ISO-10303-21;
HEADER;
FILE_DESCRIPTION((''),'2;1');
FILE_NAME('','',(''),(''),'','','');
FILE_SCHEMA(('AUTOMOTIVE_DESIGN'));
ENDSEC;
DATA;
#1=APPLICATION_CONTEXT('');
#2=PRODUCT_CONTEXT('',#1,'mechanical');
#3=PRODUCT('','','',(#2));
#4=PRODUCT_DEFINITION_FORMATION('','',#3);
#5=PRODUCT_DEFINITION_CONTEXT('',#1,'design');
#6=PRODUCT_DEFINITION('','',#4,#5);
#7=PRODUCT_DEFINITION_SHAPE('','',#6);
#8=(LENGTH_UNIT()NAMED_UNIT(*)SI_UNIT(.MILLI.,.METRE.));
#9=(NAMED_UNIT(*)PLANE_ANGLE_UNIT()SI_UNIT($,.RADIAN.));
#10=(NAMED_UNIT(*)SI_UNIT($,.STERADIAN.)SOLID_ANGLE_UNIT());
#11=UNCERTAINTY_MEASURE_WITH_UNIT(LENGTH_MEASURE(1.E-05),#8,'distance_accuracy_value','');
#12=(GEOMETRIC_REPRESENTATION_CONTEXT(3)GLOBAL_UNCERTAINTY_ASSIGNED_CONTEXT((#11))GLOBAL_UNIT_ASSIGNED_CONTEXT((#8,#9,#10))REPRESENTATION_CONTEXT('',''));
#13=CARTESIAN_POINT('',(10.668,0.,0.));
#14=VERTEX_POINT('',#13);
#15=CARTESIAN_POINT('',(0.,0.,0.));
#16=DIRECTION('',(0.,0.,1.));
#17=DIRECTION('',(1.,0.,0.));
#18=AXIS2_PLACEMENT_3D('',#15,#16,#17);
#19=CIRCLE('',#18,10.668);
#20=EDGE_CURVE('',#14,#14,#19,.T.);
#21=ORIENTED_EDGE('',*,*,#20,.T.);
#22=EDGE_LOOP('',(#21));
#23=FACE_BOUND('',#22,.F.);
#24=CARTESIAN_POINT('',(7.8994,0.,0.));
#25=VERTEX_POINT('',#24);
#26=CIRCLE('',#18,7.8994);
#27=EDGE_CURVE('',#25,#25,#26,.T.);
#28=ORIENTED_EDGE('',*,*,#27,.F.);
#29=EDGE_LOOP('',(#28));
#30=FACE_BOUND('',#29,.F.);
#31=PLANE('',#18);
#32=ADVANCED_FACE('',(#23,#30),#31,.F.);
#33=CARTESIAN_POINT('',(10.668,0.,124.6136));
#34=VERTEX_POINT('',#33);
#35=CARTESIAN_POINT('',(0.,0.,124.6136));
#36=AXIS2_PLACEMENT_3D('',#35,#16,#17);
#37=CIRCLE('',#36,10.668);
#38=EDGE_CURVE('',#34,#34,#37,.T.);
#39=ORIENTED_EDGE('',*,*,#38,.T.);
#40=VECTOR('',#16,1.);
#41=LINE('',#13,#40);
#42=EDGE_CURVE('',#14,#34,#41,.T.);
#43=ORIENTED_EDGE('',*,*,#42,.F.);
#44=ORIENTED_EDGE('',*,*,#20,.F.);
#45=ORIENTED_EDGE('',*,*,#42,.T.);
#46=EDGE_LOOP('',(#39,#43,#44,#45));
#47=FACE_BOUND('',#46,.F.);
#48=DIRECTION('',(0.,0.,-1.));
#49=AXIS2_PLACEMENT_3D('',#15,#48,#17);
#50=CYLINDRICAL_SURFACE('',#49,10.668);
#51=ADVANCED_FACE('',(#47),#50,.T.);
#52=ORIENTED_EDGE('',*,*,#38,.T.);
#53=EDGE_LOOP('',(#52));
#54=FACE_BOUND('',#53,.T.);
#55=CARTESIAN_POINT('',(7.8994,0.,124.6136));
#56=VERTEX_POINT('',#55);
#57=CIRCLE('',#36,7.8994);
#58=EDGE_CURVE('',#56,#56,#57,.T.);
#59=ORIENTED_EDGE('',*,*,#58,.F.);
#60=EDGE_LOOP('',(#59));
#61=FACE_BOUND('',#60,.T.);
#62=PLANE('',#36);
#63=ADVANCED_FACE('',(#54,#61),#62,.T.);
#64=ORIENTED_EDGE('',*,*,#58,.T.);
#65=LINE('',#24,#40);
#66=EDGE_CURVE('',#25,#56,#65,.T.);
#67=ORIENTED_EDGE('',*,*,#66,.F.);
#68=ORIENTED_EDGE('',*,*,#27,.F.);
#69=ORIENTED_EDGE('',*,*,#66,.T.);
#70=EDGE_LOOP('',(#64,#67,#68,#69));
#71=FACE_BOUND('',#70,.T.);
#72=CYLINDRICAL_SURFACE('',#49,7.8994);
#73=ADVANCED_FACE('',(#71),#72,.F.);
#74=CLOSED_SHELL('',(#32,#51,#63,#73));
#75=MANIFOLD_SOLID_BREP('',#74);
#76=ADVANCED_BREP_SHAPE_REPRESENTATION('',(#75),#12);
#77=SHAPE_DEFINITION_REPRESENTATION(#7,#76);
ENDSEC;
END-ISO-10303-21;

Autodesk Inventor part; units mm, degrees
ref_plane "YZ Plane" through (0, 0, 0) normal (1, 0, 0) x (0, 1, 0)
ref_plane "Start Plane" through (0, 0, 0) normal (0, 0, 1) x (1, 0, 0)
ref_plane "End Plane" through (0, 0, 124.6136) normal (0, 0, 1) x (1, 0, 0)
sketch "Sketch" plane through (0, 0, 0) normal (0, 0, 1) x (1, 0, 0)
  circle A0 centre (0, 0) radius 7.8994
  circle A1 centre (0, 0) radius 10.668
  dimension "d0" = 21.336
  dimension "d1" = 2.7686
extrude "Body" add sketch "Sketch" along normal up to surface (124.6136 mm away) from surface at 0
sketch "Sketch3" plane through (0, 0, 0) normal (0, 0, 1) x (1, 0, 0)
  line L0 (0, 0) -> (10, 0)
ref_plane "Work Plane3" through (0, 0, 0) normal (0, -1, 0) x (1, 0, 0)
sketch "Sketch4" plane through (0, 0, 0) normal (0, -1, 0) x (1, 0, 0)
  line L0 (-2, 0) -> (12, 0) projected
  line L1 (-2, 124.6136) -> (12, 124.6136) projected
  dimension "d7" = 124.6136
equation "\"d0\" = G_H"
equation "\"d1\" = G_T"
equation "\"d2\" = G_L"
equation "\"G_H\" = 21.336"
equation "\"G_T\" = 2.7686"
equation "\"G_L\" = d7"
equation "\"G_OFFSET_START\" = 0"
equation "\"G_OFFSET_END\" = 0"
equation "\"d5\" = G_OFFSET_END + B_L"
equation "\"B_L\" = 124.61364"
properties part number "ANSI - 1/2 x 0.109 - 4.906" material "Steel, Mild"
